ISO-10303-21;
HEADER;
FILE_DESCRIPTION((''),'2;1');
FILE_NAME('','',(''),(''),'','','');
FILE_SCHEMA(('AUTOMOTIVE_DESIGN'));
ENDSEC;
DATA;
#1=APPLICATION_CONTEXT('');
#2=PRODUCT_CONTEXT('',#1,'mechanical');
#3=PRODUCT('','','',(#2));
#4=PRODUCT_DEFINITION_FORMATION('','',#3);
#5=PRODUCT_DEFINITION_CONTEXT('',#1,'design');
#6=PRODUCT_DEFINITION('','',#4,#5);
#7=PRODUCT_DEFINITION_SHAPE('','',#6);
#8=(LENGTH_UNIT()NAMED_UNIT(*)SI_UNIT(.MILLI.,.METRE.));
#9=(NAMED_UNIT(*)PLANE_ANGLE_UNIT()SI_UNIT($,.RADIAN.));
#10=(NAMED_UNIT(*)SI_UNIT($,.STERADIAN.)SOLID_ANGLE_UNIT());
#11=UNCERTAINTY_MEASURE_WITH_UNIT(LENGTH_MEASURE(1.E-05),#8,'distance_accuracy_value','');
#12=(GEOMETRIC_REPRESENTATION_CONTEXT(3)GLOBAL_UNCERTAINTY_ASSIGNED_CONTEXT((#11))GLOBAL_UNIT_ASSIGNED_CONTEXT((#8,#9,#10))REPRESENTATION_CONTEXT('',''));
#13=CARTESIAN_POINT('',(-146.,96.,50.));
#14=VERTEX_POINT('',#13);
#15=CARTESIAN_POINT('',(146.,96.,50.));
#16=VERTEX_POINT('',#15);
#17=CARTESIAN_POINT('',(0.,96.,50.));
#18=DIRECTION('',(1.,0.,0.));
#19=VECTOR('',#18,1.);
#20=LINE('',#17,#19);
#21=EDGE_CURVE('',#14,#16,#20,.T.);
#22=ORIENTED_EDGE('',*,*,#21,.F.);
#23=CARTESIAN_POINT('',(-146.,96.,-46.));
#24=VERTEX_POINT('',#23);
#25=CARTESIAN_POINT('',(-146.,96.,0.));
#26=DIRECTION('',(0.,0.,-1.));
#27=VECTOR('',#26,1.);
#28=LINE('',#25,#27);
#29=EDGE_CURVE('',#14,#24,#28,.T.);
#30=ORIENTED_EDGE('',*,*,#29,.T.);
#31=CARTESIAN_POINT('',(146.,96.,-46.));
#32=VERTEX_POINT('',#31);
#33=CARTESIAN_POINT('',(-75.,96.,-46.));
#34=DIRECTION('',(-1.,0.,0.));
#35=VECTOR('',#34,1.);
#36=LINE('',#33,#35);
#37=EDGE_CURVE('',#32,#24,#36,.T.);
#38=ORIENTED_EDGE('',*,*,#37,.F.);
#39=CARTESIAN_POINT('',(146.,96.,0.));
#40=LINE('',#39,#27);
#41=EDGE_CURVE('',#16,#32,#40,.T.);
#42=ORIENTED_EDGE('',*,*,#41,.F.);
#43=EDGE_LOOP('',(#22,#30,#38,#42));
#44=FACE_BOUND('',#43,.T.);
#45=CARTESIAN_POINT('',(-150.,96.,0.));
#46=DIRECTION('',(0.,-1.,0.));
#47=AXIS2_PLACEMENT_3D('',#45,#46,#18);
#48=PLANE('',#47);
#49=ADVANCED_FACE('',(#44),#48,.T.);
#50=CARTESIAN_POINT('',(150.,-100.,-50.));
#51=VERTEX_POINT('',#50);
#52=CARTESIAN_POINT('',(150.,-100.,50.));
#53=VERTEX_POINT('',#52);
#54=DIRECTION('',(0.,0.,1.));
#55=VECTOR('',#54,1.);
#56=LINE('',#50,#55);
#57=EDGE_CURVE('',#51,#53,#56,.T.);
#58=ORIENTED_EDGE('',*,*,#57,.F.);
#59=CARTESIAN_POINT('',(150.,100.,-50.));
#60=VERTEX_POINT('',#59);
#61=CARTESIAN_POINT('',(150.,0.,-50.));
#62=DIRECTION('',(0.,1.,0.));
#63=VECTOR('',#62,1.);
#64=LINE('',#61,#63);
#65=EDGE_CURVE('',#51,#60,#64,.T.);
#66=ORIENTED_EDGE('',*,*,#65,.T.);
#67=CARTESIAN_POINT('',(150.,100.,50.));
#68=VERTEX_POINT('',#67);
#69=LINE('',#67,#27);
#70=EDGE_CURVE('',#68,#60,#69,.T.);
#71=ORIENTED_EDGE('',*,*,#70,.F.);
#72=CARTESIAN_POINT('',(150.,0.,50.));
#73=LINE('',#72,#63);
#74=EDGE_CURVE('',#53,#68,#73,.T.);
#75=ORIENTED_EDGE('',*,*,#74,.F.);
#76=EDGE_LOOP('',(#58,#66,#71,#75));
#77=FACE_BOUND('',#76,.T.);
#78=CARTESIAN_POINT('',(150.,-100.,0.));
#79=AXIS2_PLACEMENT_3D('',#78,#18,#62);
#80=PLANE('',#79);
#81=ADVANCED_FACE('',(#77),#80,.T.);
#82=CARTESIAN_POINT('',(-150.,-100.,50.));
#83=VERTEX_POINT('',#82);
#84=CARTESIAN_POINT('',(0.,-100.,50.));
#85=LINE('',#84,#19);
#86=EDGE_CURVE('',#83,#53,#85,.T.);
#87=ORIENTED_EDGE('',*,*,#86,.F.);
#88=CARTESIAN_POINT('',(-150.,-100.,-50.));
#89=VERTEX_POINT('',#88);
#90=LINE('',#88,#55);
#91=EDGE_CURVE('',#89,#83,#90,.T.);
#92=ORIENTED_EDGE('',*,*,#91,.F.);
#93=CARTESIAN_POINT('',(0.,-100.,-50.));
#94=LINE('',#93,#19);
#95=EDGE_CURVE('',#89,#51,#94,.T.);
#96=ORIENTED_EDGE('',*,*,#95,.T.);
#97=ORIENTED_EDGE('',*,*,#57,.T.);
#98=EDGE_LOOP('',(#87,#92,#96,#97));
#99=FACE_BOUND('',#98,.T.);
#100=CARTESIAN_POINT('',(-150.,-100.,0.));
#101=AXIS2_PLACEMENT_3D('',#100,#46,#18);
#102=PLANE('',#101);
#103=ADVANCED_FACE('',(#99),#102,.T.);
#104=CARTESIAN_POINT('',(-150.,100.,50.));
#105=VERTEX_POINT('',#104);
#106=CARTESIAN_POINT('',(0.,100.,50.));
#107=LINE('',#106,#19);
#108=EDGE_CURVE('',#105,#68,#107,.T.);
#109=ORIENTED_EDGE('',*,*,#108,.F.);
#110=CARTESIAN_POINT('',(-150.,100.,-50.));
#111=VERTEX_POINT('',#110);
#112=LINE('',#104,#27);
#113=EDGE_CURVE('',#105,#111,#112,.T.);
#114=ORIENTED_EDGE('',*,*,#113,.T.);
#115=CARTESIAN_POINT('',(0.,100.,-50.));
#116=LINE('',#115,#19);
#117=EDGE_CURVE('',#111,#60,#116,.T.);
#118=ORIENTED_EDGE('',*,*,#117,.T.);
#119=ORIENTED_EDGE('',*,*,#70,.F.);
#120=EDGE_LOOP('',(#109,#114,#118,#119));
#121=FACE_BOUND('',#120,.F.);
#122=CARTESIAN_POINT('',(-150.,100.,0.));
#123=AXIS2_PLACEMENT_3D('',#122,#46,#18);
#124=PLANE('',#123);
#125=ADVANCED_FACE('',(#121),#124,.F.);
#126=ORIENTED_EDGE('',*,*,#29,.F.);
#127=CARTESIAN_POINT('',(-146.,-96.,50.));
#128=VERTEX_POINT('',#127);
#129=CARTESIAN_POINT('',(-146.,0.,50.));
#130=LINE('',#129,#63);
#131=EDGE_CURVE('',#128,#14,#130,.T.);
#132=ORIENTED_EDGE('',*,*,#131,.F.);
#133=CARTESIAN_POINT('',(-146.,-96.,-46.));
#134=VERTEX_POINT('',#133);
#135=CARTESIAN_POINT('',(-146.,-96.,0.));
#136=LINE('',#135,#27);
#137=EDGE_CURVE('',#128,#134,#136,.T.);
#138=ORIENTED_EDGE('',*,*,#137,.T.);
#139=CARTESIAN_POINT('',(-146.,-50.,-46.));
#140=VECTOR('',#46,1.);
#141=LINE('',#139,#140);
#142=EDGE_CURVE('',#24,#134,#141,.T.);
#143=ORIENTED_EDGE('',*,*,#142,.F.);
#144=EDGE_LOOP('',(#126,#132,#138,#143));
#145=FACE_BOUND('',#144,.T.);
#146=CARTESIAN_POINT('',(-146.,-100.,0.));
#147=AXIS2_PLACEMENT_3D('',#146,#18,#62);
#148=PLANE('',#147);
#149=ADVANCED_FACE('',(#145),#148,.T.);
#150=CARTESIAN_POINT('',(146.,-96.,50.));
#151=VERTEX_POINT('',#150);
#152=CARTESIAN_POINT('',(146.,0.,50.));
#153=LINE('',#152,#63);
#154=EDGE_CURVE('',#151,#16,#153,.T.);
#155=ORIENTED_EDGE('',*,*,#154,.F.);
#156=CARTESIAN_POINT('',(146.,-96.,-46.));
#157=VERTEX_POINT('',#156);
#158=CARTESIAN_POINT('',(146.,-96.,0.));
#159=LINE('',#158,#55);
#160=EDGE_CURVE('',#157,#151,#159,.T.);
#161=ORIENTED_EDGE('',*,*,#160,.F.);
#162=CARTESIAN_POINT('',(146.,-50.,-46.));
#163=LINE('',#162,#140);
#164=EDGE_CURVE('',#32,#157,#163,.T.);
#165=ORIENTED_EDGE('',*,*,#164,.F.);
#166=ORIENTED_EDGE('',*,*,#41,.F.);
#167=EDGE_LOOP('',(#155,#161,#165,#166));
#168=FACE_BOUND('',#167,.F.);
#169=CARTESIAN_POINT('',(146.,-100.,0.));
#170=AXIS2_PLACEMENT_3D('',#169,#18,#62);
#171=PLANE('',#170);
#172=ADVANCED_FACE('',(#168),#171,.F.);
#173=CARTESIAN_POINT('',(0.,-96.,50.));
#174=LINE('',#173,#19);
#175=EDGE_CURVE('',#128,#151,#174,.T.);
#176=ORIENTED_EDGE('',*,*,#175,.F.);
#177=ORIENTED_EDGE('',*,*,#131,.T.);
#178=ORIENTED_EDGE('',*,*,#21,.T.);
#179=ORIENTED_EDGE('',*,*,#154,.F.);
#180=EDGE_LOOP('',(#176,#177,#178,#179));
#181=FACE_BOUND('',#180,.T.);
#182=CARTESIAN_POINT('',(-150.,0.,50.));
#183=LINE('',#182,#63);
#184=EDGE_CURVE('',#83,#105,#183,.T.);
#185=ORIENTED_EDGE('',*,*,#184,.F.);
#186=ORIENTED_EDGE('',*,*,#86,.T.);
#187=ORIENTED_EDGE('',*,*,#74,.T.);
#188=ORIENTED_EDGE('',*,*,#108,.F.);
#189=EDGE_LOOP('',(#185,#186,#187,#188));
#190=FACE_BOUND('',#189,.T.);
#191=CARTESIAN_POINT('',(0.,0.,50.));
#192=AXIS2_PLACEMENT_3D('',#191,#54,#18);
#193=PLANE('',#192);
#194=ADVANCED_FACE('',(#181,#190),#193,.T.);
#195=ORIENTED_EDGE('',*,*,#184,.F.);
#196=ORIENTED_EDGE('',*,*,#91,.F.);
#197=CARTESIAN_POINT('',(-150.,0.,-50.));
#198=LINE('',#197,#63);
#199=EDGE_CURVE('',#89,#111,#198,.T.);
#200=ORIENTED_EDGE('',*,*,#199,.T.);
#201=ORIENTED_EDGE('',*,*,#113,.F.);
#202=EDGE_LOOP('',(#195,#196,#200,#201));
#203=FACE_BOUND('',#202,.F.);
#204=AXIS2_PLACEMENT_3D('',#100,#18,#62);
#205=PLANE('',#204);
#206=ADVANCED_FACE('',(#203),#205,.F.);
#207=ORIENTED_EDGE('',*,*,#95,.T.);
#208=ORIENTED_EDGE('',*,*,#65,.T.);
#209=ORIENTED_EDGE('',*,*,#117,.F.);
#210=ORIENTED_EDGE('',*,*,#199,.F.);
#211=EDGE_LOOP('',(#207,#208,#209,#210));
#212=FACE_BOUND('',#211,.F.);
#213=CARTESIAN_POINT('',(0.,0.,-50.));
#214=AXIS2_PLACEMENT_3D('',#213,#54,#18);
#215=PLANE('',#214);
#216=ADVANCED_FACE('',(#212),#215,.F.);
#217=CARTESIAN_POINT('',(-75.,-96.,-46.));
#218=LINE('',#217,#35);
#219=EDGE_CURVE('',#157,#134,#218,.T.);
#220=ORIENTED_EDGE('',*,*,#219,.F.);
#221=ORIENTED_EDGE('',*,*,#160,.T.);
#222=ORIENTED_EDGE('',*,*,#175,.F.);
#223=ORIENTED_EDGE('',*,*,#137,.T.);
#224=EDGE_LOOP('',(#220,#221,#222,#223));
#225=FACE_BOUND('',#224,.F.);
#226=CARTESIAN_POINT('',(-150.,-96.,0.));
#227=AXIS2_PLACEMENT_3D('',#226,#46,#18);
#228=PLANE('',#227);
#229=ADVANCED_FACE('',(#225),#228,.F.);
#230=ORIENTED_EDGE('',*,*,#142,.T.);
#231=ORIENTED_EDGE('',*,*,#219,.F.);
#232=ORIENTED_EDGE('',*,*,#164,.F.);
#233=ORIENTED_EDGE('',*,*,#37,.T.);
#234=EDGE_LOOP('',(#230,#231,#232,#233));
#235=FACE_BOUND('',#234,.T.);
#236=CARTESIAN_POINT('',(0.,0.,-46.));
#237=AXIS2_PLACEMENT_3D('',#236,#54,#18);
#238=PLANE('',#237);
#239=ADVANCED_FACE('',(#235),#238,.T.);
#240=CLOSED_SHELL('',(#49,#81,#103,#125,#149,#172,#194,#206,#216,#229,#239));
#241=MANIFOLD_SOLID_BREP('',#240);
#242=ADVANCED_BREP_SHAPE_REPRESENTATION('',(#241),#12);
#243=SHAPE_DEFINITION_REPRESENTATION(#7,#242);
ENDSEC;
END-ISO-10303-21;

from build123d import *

# Parameters (mm, degrees)
F0_W     = 300
F0_H     = 200
F1_DEPTH = 50
F2_T     = -4


with BuildPart() as f1:
    # F0 (on Top) → F1 (new body, symmetric)
    with BuildSketch(Plane.XY):
        Rectangle(F0_W, F0_H)
    extrude(amount=F1_DEPTH, both=True)

    # F2
    f2_openings = [f1.faces().sort_by_distance(p)[0] for p in [
        (0, 0, 50),
    ]]
    offset(amount=F2_T, openings=f2_openings)


solid = f1.part
